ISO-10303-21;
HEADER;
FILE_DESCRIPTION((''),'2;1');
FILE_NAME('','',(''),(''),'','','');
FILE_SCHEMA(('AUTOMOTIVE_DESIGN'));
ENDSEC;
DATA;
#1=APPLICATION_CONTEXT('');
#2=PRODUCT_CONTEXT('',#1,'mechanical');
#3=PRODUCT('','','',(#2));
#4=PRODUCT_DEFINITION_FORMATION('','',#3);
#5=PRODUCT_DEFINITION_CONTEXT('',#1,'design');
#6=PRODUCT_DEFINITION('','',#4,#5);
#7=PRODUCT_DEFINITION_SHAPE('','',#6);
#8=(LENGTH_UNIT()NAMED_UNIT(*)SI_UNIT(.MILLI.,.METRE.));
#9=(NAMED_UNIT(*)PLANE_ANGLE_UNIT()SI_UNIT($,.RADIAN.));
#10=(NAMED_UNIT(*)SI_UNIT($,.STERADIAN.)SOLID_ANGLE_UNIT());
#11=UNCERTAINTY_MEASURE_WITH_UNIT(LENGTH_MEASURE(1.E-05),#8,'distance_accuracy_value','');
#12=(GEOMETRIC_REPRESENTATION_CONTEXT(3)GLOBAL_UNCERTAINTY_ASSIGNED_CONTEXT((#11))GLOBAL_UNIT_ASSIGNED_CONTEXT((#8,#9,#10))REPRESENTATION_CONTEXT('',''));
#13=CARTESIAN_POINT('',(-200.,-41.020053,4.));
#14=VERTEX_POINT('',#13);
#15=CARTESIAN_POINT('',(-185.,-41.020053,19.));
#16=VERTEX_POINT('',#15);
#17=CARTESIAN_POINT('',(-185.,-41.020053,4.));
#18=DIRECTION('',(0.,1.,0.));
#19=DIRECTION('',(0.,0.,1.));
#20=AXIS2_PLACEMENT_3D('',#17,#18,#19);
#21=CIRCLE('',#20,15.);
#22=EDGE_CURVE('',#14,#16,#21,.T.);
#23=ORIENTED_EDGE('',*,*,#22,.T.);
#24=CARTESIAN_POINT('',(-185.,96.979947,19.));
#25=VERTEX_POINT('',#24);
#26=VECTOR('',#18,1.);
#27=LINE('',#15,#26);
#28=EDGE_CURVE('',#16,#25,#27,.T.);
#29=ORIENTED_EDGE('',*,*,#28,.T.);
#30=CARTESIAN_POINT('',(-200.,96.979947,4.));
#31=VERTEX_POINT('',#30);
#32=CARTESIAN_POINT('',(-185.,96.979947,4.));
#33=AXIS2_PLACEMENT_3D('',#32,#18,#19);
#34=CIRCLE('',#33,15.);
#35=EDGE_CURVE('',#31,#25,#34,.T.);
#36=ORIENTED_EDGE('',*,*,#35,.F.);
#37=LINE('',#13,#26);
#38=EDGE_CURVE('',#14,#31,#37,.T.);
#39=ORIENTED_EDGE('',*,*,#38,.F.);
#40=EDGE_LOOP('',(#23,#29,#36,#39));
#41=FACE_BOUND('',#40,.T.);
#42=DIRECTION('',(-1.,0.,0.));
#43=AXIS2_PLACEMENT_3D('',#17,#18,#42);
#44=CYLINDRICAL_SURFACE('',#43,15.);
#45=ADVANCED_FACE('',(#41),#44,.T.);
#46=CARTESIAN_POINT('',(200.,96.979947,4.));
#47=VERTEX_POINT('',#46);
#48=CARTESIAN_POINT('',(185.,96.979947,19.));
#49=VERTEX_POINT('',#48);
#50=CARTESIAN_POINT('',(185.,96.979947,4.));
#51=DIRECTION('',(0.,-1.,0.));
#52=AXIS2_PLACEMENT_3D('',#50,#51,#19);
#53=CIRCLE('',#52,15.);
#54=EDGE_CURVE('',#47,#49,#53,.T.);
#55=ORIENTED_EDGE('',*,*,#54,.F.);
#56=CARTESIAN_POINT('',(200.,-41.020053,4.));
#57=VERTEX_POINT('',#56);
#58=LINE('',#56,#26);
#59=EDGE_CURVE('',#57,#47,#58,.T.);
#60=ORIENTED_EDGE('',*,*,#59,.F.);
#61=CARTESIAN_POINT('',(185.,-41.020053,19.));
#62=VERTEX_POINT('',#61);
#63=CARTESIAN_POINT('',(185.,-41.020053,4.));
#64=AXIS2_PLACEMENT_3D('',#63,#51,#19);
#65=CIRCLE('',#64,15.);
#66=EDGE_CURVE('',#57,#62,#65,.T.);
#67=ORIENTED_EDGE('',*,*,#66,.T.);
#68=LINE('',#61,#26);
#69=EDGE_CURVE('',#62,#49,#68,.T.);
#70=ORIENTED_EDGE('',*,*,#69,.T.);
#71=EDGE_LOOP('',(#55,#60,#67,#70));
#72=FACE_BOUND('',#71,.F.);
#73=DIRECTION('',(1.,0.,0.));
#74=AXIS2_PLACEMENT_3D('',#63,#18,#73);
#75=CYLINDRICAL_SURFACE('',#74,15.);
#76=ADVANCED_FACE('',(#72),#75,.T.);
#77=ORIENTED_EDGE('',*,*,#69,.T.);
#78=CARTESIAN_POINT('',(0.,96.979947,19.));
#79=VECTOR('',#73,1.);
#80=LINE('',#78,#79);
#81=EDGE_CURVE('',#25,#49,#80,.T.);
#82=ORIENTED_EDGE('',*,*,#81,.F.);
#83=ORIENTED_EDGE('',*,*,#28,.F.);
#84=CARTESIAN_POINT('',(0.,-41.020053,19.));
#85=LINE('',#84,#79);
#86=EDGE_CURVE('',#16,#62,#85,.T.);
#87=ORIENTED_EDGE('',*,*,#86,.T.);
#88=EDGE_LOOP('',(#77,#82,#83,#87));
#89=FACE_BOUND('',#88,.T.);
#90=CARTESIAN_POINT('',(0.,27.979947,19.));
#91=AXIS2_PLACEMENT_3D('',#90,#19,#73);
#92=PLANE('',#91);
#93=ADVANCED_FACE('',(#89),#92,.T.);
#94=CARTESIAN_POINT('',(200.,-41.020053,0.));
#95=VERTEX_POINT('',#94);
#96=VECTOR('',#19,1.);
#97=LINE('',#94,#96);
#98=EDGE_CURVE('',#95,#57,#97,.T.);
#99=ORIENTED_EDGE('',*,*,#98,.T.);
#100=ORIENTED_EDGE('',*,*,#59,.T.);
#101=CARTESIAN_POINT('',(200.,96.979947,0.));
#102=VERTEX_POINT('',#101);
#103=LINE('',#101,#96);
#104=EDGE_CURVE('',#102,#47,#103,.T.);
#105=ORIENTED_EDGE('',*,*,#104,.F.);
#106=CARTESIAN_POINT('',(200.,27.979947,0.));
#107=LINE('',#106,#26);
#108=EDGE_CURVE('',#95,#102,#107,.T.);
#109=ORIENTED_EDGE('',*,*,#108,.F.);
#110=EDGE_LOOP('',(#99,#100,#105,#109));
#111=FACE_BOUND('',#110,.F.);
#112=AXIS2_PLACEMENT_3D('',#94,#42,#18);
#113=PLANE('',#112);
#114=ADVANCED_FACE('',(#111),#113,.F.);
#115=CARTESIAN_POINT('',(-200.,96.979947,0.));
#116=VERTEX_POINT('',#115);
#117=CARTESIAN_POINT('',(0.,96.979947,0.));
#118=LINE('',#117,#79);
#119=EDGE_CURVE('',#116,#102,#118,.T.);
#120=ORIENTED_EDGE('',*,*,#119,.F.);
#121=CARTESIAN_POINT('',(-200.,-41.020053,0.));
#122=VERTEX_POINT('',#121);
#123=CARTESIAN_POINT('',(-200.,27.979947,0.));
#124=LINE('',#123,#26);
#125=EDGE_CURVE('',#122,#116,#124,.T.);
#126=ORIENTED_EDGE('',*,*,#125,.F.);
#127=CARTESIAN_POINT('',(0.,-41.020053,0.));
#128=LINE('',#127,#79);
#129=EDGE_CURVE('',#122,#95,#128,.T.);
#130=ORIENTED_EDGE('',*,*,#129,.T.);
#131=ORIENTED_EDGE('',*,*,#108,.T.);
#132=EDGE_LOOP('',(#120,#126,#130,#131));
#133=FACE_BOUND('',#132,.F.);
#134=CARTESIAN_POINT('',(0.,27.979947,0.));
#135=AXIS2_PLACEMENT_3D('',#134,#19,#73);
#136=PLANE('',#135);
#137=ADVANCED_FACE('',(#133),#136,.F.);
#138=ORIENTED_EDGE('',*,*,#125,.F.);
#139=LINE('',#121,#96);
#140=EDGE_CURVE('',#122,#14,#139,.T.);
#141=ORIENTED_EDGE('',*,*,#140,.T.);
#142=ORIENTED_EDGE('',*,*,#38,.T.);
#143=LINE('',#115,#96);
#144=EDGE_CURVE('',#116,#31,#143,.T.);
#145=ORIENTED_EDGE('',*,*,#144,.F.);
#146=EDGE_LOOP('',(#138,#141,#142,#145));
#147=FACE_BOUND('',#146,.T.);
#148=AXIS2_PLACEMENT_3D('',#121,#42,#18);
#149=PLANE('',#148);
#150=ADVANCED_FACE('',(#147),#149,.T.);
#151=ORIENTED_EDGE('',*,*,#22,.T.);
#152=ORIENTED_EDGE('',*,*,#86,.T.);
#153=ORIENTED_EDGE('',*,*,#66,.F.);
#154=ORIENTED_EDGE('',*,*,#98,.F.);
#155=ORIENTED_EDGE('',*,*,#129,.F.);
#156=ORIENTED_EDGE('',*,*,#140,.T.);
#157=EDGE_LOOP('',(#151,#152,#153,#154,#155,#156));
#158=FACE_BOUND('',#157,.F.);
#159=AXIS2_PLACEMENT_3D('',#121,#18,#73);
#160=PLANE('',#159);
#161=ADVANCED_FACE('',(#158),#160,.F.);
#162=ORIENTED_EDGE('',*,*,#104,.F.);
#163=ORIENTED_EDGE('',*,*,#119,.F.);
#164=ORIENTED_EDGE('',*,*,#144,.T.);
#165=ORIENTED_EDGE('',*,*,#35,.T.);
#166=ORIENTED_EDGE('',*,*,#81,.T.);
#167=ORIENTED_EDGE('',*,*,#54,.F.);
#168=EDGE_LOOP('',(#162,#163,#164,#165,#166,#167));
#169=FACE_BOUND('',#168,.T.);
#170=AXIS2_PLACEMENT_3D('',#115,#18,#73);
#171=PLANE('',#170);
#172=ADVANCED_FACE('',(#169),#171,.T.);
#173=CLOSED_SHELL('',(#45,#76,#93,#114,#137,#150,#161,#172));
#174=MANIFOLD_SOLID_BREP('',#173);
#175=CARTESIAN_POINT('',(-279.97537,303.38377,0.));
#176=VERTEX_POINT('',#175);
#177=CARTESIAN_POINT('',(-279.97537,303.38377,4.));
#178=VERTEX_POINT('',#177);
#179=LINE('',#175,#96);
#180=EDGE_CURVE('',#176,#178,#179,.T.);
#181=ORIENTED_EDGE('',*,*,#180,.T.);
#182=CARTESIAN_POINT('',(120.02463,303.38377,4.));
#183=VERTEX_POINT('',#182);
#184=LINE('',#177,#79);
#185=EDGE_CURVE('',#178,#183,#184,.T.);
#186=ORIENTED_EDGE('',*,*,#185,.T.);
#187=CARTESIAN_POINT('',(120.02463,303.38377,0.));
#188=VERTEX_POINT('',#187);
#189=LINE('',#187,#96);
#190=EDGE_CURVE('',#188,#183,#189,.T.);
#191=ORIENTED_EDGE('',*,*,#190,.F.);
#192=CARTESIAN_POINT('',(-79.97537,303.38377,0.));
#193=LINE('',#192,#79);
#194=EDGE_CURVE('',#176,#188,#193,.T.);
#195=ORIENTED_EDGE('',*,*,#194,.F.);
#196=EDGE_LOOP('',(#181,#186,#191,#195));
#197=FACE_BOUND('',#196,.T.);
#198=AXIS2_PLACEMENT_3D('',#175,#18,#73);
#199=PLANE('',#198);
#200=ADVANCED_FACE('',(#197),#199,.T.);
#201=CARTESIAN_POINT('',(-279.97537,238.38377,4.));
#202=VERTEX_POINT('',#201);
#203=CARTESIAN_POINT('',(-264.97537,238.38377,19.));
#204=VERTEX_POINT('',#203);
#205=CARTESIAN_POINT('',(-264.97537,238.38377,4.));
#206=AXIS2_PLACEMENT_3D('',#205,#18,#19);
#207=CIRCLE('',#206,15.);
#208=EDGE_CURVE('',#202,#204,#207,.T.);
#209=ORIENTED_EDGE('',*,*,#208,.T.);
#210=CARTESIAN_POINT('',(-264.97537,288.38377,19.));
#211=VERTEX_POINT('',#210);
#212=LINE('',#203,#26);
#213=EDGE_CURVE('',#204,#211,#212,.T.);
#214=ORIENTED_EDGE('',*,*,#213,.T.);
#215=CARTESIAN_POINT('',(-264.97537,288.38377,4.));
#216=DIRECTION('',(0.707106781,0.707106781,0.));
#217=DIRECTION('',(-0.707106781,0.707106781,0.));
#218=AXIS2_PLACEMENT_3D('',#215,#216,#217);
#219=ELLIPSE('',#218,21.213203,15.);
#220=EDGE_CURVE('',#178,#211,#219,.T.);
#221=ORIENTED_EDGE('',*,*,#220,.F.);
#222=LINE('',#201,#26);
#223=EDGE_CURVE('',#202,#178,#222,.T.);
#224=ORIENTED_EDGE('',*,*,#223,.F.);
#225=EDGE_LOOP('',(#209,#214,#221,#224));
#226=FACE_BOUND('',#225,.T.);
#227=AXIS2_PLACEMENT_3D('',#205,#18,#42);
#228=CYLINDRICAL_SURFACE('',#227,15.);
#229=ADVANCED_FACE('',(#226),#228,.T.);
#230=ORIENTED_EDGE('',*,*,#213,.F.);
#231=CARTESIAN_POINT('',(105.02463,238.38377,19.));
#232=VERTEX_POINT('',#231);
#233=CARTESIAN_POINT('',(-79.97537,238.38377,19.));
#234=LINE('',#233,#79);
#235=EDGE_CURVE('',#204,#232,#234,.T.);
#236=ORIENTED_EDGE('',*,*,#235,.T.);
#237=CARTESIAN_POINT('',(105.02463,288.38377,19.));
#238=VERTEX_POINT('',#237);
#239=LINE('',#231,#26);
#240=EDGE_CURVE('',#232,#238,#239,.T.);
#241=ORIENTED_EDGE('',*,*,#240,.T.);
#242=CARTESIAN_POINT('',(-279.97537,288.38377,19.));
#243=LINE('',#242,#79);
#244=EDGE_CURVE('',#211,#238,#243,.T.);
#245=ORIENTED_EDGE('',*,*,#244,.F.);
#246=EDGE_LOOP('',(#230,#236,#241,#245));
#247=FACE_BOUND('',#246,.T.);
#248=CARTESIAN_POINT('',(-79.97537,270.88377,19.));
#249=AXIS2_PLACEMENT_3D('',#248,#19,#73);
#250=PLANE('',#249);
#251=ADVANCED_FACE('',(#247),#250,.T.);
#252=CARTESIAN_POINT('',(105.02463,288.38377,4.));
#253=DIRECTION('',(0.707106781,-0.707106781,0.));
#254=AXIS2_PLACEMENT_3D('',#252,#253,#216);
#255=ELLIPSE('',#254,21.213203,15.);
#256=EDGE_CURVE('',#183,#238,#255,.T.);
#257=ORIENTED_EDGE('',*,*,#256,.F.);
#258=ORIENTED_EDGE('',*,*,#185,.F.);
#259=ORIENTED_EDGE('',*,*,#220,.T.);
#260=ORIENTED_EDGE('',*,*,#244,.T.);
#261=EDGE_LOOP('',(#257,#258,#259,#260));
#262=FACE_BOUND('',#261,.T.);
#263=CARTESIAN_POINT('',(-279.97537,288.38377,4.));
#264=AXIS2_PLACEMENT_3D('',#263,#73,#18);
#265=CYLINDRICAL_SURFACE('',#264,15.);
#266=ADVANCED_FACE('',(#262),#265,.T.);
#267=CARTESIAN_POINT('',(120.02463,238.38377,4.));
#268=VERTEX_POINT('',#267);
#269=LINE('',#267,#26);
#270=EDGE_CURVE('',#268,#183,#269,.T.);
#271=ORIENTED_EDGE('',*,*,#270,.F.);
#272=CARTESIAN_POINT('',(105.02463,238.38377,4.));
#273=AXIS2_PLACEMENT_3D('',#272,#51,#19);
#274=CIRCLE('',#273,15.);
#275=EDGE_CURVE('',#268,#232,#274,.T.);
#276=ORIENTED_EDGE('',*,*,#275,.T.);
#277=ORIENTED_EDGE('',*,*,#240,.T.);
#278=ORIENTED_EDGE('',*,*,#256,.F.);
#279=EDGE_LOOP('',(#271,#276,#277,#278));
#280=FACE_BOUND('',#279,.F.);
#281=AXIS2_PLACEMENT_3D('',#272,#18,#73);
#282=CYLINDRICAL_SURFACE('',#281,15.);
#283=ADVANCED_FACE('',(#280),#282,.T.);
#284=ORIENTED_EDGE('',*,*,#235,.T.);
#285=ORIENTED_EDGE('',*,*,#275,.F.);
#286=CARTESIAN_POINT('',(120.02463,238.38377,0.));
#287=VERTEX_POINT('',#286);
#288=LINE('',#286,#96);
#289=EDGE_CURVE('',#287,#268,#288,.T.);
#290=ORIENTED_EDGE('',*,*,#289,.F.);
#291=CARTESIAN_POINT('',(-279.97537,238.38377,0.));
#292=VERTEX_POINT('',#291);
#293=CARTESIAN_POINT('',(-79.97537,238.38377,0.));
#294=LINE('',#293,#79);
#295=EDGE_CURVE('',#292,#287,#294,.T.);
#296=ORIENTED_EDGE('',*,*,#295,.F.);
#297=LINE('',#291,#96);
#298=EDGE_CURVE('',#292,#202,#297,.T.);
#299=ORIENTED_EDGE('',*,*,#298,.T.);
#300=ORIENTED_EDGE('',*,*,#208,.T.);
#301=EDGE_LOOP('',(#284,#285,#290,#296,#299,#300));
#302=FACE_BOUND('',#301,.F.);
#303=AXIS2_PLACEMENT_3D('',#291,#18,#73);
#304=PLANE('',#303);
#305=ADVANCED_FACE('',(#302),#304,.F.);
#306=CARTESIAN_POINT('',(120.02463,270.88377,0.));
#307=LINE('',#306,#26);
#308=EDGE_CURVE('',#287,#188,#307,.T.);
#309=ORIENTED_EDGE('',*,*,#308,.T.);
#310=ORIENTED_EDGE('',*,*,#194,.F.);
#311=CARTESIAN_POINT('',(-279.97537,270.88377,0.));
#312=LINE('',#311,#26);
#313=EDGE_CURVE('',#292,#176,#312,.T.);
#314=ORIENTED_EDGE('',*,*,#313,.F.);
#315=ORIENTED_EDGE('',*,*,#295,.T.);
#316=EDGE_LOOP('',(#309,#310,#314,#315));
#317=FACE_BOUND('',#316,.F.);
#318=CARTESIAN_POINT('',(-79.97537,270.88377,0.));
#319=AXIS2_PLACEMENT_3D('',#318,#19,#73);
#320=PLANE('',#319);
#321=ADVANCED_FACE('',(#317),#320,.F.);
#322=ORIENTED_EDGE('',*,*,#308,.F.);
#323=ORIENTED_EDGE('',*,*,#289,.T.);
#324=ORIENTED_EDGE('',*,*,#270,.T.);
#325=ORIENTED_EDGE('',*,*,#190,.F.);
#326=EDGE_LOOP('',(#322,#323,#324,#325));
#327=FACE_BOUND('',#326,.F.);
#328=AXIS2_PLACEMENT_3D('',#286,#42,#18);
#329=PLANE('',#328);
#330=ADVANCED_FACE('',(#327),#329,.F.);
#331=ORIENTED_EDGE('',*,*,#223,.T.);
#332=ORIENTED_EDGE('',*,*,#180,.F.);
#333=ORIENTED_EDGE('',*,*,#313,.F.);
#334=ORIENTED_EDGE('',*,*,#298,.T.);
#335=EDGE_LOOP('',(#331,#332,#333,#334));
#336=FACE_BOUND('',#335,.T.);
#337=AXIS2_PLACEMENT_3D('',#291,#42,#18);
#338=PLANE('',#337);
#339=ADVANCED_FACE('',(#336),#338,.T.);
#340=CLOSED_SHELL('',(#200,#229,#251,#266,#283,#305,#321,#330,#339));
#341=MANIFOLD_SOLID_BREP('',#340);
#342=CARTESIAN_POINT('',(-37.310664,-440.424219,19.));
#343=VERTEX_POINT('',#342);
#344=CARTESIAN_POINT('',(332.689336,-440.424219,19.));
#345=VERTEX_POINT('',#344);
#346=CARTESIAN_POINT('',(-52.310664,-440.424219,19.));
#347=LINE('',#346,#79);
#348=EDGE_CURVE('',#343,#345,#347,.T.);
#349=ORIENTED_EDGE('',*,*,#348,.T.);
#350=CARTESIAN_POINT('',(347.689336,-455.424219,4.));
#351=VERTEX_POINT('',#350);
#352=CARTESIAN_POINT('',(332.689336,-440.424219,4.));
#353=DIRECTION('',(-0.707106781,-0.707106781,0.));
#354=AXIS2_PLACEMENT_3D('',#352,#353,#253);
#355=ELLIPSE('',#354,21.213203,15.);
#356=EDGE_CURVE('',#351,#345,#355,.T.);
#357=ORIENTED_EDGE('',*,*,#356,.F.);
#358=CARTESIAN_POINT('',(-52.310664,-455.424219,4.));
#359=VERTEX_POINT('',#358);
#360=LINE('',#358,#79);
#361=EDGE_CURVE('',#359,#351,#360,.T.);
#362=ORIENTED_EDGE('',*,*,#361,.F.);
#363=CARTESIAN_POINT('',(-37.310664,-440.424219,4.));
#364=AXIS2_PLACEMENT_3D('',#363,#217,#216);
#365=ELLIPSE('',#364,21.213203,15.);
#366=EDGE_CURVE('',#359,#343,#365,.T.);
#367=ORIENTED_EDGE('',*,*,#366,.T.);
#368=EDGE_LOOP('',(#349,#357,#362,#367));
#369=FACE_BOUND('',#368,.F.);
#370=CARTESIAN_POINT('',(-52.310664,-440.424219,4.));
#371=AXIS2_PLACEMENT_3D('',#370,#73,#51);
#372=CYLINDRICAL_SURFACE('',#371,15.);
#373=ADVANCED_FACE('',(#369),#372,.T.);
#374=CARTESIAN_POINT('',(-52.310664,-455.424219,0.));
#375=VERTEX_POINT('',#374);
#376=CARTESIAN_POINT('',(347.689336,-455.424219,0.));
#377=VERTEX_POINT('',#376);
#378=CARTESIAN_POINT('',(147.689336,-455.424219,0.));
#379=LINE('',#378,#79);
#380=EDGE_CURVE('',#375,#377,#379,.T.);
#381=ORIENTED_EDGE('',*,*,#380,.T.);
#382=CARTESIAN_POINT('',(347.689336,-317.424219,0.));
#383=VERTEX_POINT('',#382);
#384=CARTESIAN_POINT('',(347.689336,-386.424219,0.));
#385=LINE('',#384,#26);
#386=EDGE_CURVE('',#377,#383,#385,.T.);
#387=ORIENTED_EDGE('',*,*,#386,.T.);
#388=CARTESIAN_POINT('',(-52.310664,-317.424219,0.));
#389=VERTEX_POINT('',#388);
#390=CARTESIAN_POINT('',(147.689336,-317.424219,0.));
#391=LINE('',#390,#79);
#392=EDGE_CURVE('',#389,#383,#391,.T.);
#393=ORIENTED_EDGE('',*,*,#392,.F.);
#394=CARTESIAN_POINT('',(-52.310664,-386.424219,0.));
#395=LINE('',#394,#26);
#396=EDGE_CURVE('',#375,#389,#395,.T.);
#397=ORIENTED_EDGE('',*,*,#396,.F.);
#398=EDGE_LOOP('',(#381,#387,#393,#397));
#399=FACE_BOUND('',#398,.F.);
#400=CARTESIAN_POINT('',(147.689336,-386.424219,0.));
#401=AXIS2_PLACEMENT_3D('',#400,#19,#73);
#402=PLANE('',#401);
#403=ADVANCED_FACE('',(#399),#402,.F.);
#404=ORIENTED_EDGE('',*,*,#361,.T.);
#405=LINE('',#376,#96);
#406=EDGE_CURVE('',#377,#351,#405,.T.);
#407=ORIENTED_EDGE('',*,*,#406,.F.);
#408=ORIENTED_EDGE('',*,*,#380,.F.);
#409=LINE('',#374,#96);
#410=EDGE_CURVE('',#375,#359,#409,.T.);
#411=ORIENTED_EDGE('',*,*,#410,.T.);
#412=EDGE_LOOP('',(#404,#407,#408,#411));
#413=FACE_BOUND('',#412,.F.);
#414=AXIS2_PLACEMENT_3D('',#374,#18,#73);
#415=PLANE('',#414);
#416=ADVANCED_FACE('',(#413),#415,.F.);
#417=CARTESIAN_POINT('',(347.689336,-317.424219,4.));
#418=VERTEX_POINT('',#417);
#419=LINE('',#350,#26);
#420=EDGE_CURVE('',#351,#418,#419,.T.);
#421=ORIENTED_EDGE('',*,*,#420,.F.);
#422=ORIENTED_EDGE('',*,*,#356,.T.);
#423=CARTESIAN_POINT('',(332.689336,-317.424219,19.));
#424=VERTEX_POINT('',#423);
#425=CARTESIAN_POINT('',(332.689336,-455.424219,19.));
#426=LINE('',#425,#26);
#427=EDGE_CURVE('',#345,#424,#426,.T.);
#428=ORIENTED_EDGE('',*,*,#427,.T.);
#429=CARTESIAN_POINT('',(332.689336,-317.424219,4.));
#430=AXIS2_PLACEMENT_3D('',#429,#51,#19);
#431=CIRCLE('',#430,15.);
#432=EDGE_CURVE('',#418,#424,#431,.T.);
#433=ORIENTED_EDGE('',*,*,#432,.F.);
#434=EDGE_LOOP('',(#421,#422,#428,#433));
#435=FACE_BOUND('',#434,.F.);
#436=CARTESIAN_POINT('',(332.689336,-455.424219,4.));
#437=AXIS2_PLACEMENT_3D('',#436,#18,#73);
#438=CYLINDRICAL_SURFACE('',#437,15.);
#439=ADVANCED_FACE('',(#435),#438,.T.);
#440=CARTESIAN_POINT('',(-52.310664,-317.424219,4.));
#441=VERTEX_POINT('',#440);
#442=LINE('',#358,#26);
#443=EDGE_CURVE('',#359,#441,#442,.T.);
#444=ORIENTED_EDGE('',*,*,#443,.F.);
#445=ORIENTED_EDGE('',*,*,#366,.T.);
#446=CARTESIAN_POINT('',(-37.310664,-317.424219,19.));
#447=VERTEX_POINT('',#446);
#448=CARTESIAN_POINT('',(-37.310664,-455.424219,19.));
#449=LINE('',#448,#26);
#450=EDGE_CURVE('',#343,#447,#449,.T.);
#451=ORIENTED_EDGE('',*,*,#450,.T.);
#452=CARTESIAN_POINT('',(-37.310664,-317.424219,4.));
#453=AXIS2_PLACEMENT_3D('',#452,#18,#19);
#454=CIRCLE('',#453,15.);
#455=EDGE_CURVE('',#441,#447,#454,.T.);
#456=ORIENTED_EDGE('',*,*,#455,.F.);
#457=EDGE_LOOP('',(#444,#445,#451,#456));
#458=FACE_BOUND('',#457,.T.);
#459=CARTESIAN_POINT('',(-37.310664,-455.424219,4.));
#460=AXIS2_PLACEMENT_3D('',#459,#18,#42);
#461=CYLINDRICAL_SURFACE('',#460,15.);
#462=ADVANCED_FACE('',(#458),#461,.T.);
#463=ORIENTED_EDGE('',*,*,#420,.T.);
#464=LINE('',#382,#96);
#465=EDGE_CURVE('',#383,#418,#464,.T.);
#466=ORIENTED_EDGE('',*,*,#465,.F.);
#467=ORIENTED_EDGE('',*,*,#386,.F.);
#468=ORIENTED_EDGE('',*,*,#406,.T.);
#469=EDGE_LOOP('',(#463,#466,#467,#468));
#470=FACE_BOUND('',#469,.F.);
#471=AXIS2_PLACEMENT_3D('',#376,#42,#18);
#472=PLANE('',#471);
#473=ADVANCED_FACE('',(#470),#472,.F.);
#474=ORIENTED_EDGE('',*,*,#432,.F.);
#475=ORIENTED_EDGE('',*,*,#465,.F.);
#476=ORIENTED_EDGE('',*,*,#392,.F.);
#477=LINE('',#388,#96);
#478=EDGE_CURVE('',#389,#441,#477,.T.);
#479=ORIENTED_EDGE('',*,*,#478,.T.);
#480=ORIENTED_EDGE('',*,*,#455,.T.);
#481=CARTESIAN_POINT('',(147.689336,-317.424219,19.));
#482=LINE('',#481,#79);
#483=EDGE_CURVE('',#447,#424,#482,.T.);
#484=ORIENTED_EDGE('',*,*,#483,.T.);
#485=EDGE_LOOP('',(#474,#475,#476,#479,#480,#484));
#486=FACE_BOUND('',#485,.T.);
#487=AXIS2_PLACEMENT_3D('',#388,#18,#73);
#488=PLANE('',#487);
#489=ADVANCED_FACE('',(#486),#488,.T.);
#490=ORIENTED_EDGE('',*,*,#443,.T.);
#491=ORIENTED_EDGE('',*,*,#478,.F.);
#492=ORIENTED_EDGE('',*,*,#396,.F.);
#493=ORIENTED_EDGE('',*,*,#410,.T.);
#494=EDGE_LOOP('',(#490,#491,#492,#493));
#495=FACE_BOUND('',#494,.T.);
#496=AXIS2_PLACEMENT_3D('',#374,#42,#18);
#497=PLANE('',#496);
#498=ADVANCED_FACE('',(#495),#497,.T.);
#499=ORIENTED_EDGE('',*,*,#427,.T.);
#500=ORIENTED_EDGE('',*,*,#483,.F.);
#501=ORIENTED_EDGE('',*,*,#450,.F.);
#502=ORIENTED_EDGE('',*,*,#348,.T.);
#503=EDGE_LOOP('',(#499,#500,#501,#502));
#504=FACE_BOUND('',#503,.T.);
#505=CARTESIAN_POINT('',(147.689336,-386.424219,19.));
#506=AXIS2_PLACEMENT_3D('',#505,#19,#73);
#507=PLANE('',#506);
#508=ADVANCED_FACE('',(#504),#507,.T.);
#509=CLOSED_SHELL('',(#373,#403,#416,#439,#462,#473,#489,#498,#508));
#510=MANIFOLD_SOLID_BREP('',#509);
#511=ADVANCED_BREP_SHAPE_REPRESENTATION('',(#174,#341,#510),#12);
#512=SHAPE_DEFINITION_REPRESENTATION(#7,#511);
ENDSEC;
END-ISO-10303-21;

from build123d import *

# Parameters (mm, degrees)
F0_W     = 400
F0_H     = 138
F0_H_2   = 65
F1_DEPTH = 19
F2_R     = 15


with BuildPart() as f1:
    # F0 (on Top) → F1 (new body)
    with BuildSketch(Plane.XY):
        with Locations((0, 27.979947)):
            Rectangle(F0_W, F0_H)
        with Locations((147.689336, -386.424219)):
            Rectangle(F0_W, F0_H)
        with Locations((-79.97537, 270.88377)):
            Rectangle(F0_W, F0_H_2)
    extrude(amount=F1_DEPTH)

    # F2
    f2_edges = [f1.edges().sort_by_distance(p)[0] for p in [
        (147.689336, -455.424219, 19),
        (-52.310664, -386.424219, 19),
        (347.689336, -386.424219, 19),
        (200, 27.979947, 19),
        (-200, 27.979947, 19),
        (-279.97537, 270.88377, 19),
        (-79.97537, 303.38377, 19),
        (120.02463, 270.88377, 19),
    ]]
    fillet(f2_edges, radius=F2_R)


solid = f1.part
